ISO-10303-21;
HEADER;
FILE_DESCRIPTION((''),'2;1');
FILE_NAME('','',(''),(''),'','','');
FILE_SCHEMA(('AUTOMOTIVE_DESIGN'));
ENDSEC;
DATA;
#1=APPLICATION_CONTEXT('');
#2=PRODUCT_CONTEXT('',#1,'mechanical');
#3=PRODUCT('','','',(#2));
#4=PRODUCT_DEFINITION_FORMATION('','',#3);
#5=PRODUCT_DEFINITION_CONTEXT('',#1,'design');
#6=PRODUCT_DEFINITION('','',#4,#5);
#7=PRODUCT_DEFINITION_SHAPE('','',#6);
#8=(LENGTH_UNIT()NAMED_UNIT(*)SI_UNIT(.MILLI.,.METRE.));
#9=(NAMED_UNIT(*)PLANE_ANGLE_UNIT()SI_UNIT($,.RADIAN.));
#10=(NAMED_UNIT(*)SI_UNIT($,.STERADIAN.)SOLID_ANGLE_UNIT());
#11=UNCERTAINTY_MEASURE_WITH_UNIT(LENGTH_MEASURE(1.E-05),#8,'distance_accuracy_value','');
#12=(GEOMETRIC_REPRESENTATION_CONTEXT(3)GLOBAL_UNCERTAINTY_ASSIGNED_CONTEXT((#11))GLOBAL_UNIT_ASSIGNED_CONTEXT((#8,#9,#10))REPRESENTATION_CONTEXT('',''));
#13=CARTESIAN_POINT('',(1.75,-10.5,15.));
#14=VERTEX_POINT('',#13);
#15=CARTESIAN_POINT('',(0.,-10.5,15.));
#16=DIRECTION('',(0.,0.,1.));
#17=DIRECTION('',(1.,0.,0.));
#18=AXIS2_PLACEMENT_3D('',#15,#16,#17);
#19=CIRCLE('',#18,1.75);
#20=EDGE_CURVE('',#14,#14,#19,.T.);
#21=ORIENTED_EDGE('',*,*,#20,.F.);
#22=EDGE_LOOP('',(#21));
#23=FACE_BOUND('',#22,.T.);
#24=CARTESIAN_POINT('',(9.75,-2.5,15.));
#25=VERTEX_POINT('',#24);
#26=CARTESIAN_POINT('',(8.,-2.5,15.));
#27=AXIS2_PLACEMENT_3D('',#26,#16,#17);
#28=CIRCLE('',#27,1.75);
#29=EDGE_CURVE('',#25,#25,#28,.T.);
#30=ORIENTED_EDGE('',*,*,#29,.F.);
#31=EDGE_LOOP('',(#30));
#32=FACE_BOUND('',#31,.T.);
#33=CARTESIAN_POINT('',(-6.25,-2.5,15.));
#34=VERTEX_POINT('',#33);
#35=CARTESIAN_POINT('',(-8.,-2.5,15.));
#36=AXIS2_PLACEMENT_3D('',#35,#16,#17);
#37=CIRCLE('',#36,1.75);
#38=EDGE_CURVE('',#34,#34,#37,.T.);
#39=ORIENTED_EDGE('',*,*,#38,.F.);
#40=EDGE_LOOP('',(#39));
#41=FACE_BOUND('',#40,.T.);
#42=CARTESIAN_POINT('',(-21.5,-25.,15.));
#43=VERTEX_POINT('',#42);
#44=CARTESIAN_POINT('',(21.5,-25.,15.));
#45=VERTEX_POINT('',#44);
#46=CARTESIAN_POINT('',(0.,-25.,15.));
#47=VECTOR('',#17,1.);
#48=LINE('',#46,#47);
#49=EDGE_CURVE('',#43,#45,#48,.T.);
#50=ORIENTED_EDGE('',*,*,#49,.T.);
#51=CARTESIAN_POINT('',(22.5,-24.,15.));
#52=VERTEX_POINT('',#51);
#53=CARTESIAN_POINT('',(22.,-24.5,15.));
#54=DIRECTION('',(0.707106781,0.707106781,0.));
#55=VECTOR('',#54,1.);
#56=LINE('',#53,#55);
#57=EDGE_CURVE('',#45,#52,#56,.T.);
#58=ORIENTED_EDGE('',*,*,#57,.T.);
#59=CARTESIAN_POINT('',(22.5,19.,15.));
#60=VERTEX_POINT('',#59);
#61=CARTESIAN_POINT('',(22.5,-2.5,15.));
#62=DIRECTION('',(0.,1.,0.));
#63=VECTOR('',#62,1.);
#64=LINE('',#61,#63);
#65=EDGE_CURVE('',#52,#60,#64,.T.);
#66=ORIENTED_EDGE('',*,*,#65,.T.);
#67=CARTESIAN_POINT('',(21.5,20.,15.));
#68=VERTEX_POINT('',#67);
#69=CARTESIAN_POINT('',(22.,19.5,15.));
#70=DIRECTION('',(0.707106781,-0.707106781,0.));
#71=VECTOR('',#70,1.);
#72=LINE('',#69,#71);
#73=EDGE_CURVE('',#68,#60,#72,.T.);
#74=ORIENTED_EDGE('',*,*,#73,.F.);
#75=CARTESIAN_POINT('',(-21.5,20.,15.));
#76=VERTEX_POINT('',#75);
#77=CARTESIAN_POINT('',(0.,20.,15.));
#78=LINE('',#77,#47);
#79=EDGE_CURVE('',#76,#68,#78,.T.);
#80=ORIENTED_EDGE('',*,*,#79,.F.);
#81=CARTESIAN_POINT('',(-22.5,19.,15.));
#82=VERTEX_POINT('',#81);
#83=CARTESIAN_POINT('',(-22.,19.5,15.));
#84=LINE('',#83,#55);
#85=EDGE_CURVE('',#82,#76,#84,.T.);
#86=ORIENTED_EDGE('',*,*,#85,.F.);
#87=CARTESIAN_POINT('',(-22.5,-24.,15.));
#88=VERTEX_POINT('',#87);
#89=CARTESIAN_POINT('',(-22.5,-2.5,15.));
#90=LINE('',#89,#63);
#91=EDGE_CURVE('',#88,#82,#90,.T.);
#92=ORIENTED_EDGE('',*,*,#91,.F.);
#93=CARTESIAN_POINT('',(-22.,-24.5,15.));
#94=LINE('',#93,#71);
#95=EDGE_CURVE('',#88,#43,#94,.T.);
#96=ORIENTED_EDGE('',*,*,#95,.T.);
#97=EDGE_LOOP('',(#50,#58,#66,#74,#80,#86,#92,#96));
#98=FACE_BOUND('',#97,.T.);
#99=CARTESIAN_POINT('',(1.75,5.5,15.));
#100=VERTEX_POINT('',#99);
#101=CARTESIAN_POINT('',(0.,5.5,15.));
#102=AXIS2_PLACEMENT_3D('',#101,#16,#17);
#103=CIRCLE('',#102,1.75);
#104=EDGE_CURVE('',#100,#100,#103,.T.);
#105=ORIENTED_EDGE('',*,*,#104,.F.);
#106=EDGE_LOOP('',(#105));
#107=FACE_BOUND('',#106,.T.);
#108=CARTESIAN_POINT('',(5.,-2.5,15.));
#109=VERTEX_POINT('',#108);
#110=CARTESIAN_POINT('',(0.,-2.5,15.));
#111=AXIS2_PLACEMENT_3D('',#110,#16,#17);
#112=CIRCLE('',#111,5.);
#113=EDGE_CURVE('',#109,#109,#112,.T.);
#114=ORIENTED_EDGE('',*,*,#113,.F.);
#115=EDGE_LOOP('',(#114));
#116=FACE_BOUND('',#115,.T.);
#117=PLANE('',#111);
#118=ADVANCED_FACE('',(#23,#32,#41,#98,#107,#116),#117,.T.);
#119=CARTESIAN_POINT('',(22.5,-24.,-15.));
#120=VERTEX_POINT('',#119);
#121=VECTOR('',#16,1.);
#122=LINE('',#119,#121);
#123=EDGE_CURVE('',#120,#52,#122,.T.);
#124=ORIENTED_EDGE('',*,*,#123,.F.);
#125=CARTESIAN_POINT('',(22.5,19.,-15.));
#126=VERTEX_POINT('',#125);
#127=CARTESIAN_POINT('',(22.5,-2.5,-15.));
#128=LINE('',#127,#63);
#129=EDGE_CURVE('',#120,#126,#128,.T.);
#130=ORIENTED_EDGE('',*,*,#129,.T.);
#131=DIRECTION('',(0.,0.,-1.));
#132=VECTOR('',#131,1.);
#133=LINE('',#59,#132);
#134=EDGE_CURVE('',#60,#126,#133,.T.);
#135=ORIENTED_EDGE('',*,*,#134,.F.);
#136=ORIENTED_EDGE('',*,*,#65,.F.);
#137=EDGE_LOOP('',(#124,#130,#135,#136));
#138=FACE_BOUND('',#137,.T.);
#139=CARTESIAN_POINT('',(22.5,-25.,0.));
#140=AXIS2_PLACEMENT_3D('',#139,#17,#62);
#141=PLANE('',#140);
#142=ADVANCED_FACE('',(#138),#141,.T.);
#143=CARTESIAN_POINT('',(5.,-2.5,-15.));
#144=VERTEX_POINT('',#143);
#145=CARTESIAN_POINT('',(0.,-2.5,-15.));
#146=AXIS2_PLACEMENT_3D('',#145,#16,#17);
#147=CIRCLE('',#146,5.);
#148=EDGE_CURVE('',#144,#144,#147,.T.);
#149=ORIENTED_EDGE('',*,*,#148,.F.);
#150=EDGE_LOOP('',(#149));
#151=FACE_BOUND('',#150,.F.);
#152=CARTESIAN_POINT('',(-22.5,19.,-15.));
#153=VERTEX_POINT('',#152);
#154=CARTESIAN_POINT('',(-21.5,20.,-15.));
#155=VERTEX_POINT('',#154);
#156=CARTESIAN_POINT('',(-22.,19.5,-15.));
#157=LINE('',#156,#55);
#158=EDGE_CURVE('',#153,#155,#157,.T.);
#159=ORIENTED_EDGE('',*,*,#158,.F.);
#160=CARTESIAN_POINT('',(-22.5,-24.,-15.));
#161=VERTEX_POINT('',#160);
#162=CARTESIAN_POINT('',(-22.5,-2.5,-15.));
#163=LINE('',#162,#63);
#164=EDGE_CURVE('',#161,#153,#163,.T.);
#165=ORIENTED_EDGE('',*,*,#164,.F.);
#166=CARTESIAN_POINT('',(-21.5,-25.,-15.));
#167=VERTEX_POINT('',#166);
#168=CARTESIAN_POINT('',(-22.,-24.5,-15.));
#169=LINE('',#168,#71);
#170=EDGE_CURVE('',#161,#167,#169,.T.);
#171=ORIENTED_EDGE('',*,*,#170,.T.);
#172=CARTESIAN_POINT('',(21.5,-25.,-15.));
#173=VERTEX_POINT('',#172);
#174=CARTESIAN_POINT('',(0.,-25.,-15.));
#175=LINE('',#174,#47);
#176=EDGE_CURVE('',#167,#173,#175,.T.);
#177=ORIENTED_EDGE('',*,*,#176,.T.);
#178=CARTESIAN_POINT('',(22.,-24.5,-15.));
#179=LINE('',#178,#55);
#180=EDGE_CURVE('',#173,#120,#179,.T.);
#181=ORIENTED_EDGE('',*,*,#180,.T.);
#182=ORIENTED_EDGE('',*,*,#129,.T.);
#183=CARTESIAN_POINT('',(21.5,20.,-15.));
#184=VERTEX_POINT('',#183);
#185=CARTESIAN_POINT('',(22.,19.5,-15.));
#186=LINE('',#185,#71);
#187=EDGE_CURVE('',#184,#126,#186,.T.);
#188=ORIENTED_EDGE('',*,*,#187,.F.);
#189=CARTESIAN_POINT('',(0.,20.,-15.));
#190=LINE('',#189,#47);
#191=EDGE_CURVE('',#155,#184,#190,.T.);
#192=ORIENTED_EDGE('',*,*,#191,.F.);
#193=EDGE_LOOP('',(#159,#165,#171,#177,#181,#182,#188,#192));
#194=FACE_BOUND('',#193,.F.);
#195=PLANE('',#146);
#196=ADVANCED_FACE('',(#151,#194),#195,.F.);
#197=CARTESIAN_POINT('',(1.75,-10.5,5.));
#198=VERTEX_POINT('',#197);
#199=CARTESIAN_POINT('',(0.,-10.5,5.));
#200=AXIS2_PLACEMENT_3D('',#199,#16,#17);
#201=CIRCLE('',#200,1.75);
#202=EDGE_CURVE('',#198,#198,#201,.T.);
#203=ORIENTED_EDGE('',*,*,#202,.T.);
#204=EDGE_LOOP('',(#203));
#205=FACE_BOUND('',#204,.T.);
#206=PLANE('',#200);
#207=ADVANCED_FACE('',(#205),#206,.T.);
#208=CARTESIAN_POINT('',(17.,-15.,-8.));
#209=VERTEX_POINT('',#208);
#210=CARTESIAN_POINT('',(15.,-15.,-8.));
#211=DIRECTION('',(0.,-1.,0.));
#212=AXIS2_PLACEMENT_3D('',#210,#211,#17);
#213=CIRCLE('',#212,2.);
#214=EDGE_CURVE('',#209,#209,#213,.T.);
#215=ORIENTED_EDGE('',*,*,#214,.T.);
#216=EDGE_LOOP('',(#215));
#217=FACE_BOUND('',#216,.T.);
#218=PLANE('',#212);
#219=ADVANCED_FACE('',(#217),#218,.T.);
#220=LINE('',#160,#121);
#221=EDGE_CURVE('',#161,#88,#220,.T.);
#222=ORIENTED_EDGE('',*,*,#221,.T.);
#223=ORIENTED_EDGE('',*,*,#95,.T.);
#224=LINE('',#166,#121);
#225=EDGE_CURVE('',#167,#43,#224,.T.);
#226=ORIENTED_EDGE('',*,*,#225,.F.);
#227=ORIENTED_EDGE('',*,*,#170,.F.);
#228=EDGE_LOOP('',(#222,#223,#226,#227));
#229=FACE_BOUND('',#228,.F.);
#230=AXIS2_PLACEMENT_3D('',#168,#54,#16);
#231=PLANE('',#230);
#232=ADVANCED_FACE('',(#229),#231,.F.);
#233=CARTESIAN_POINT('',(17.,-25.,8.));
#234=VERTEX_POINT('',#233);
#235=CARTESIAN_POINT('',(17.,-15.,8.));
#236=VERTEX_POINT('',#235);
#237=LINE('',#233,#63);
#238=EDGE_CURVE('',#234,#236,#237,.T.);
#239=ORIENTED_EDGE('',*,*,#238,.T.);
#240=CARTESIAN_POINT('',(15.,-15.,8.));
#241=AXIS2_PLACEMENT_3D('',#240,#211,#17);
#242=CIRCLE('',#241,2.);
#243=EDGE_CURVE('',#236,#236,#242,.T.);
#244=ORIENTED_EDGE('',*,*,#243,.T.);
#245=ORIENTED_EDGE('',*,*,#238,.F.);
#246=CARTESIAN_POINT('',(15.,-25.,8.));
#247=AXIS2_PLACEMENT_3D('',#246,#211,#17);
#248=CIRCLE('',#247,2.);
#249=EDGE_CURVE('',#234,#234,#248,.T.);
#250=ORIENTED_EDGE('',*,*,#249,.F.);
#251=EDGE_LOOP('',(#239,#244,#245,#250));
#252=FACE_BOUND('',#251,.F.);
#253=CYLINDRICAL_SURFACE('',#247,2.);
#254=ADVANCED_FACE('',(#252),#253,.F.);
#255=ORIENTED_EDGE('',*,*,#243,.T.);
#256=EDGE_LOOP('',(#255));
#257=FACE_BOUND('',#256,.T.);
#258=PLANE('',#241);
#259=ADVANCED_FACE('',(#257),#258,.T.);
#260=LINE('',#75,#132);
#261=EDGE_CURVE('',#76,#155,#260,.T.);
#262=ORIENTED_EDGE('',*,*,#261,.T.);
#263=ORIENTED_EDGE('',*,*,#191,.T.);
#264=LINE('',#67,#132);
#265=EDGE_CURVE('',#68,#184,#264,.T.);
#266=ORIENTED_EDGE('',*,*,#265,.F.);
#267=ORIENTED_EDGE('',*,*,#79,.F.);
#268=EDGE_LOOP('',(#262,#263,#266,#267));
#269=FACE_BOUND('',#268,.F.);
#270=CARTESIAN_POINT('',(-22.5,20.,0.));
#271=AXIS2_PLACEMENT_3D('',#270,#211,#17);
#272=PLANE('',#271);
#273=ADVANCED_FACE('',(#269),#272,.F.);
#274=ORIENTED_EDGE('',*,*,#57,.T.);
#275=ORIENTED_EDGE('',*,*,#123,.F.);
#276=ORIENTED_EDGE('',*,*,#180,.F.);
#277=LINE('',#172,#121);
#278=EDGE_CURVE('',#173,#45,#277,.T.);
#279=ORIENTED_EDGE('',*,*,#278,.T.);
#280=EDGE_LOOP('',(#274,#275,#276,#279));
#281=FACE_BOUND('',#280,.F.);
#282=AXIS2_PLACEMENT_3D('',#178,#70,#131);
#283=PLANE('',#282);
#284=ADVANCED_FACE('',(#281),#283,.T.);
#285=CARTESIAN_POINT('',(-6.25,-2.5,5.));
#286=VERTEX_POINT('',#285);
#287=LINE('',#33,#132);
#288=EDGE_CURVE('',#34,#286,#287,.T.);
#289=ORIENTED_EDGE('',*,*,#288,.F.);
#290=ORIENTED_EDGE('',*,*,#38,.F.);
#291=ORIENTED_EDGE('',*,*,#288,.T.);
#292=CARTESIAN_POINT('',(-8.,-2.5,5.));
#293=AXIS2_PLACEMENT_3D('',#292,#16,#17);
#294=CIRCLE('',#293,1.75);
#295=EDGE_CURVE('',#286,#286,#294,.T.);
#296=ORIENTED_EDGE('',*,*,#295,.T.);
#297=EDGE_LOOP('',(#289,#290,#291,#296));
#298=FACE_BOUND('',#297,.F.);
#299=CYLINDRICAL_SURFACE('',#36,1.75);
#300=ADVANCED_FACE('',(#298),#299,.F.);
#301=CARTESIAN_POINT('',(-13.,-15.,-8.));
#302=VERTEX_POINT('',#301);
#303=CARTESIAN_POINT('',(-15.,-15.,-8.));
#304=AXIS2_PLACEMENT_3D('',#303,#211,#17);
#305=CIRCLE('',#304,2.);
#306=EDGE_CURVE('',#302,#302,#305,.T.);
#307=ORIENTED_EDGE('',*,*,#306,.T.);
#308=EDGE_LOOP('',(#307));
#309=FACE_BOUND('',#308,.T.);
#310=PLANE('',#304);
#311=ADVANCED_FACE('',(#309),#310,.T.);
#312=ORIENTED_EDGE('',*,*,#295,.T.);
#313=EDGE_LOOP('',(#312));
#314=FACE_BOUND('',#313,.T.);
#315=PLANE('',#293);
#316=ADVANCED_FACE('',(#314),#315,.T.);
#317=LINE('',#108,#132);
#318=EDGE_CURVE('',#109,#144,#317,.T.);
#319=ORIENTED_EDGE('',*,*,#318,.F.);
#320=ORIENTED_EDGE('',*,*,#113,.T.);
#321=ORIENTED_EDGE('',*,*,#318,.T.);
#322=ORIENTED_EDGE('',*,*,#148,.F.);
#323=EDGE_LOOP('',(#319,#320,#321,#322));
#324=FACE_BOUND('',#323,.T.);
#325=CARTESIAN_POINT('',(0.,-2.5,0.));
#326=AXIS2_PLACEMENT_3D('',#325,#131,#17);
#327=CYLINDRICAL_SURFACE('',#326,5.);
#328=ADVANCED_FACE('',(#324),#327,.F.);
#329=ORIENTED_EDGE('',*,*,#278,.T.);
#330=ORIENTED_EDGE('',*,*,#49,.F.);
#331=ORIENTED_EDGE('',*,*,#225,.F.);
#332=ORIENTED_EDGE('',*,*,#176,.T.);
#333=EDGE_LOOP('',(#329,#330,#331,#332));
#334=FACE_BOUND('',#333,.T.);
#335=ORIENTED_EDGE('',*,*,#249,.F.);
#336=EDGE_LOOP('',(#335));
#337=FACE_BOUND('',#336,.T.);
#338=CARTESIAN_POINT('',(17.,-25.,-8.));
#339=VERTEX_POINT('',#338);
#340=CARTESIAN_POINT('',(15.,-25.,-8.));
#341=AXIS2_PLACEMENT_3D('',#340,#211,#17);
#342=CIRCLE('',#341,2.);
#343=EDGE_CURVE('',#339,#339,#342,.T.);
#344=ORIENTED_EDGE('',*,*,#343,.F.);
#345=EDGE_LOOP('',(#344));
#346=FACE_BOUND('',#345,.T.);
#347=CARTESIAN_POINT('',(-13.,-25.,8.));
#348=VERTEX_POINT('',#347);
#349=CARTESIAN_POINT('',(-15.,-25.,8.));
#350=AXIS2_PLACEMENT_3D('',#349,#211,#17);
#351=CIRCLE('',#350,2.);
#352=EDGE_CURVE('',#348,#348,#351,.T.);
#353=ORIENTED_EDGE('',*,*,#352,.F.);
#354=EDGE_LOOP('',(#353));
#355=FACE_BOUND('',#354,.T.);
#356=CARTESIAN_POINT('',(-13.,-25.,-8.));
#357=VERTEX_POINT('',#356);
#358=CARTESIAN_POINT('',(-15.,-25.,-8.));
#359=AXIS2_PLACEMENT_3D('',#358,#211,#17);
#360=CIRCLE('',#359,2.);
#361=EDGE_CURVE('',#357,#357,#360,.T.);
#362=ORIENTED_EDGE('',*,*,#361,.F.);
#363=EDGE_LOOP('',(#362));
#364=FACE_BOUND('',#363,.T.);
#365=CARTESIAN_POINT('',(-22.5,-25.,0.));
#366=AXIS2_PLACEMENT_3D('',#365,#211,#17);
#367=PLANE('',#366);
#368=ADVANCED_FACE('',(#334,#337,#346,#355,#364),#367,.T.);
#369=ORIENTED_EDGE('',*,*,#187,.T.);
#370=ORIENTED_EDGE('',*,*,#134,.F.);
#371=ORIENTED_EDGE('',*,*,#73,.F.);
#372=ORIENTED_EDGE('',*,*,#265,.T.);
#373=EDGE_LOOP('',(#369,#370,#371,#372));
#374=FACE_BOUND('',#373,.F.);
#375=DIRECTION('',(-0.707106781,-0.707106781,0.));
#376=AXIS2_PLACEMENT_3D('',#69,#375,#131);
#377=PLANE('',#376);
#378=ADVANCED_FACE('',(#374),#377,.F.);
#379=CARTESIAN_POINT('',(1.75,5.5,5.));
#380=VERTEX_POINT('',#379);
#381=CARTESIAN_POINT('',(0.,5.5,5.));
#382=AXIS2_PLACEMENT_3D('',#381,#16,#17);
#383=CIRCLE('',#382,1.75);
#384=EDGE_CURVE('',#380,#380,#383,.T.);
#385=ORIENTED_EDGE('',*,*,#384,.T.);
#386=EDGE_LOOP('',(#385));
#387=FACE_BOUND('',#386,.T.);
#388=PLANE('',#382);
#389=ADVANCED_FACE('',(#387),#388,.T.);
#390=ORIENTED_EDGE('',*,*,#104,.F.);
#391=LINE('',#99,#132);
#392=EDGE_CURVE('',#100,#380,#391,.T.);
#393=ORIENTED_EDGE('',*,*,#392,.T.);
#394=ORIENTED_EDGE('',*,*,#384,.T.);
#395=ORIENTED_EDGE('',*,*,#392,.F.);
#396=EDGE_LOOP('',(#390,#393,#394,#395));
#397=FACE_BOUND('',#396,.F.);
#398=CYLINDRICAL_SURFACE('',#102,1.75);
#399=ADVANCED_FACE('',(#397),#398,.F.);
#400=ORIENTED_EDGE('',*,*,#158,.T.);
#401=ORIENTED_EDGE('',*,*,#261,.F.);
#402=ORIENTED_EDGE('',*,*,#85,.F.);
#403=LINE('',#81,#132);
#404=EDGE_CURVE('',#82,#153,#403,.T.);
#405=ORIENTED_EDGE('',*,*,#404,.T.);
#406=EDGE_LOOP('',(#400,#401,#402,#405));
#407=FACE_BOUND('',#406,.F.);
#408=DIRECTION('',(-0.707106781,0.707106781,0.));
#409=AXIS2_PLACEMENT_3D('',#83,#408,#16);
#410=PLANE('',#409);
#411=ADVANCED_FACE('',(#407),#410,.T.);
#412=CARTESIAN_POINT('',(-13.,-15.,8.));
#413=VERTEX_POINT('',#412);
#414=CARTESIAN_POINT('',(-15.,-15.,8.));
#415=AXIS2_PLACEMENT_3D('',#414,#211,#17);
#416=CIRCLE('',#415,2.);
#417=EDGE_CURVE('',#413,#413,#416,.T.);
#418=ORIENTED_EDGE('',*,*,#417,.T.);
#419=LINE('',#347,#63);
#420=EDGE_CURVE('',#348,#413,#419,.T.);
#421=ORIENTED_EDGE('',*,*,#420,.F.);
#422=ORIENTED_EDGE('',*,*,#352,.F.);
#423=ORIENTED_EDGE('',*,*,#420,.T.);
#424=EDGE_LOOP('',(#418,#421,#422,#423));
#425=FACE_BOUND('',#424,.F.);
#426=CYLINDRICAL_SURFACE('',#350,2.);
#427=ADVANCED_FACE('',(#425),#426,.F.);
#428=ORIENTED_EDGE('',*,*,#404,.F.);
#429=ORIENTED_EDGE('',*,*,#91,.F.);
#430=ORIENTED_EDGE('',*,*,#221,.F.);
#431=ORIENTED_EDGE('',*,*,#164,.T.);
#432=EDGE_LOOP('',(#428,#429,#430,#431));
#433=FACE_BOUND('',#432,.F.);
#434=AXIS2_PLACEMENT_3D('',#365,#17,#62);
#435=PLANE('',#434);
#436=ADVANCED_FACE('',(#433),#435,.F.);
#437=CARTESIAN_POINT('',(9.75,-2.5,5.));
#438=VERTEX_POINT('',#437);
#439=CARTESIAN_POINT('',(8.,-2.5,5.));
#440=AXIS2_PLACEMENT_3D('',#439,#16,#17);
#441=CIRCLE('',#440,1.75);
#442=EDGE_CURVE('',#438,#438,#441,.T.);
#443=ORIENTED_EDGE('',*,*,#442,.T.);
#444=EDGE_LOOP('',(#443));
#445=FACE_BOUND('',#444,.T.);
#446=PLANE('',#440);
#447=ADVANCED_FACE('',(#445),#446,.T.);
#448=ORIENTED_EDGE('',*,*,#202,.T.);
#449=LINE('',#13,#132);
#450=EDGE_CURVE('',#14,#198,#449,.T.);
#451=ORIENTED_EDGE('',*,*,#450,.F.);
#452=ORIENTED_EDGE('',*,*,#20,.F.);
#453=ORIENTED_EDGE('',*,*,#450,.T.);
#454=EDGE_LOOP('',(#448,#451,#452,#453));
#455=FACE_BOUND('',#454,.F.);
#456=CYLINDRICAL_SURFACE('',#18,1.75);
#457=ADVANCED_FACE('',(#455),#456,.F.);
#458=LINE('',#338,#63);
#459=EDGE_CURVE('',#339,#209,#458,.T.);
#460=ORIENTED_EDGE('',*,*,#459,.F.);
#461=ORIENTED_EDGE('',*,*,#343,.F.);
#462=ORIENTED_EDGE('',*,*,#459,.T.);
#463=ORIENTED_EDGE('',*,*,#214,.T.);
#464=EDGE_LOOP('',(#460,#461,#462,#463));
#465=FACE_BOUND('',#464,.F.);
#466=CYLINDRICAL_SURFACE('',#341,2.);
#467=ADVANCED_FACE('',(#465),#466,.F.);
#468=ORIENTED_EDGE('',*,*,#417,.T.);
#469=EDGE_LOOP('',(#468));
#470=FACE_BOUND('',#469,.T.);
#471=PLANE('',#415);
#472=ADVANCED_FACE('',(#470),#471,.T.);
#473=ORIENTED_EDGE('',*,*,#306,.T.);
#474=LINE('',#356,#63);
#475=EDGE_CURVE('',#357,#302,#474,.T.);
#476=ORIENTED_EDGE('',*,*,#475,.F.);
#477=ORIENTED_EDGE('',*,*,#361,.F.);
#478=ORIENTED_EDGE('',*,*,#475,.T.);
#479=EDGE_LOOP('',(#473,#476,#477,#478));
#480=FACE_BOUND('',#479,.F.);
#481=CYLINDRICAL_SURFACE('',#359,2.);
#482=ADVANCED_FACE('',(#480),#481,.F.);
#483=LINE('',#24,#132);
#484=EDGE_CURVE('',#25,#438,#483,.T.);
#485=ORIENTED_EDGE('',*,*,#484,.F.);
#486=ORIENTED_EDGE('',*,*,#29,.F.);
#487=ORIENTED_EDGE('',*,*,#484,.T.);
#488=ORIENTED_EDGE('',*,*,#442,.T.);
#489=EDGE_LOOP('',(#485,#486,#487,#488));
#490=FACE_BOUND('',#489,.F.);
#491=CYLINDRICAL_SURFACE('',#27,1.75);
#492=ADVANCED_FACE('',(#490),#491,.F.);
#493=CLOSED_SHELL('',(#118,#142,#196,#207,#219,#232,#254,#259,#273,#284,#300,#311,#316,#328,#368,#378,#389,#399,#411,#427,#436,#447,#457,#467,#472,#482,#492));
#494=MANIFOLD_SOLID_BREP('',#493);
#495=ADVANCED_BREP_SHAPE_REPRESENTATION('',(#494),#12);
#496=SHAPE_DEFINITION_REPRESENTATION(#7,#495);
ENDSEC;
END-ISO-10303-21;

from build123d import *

# Parameters (mm, degrees)
SKETCH1_W           = 45
SKETCH1_H           = 45
SKETCH1_R           = 5
BOSS_EXTRUDE1_DEPTH = 15
SKETCH2_R           = 1.75
CUT_EXTRUDE1_DEPTH  = 10
CHAMFER1_SIZE       = 1
SKETCH3_R           = 2
CUT_EXTRUDE2_DEPTH  = 10


with BuildPart() as part:
    # Sketch1 → Boss-Extrude1 (new body, symmetric)
    with BuildSketch(Plane.XY):
        with Locations((0, -2.5)):
            Rectangle(SKETCH1_W, SKETCH1_H)
        with Locations((0, -2.5)):
            Circle(SKETCH1_R, mode=Mode.SUBTRACT)
    extrude(amount=BOSS_EXTRUDE1_DEPTH, both=True)

    # Sketch2 → Cut-Extrude1 (cut)
    with BuildSketch(Plane.XY.offset(15)):
        with Locations((0, 5.5)):
            Circle(SKETCH2_R)
        with Locations((0, -10.5)):
            Circle(SKETCH2_R)
        with Locations((8, -2.5)):
            Circle(SKETCH2_R)
        with Locations((-8, -2.5)):
            Circle(SKETCH2_R)
    extrude(amount=-CUT_EXTRUDE1_DEPTH, mode=Mode.SUBTRACT)

    # Chamfer1
    chamfer1_edges = [part.edges().sort_by_distance(p)[0] for p in [
        (-22.5, 20, 0),
        (22.5, 20, 0),
        (22.5, -25, 0),
        (-22.5, -25, 0),
    ]]
    chamfer(chamfer1_edges, length=CHAMFER1_SIZE)

    # Sketch3 → Cut-Extrude2 (cut)
    with BuildSketch(Plane.XZ.offset(25)):
        with Locations((-15, 8)):
            Circle(SKETCH3_R)
        with Locations((15, 8)):
            Circle(SKETCH3_R)
        with Locations((15, -8)):
            Circle(SKETCH3_R)
        with Locations((-15, -8)):
            Circle(SKETCH3_R)
    extrude(amount=-CUT_EXTRUDE2_DEPTH, mode=Mode.SUBTRACT)


solid = part.part
